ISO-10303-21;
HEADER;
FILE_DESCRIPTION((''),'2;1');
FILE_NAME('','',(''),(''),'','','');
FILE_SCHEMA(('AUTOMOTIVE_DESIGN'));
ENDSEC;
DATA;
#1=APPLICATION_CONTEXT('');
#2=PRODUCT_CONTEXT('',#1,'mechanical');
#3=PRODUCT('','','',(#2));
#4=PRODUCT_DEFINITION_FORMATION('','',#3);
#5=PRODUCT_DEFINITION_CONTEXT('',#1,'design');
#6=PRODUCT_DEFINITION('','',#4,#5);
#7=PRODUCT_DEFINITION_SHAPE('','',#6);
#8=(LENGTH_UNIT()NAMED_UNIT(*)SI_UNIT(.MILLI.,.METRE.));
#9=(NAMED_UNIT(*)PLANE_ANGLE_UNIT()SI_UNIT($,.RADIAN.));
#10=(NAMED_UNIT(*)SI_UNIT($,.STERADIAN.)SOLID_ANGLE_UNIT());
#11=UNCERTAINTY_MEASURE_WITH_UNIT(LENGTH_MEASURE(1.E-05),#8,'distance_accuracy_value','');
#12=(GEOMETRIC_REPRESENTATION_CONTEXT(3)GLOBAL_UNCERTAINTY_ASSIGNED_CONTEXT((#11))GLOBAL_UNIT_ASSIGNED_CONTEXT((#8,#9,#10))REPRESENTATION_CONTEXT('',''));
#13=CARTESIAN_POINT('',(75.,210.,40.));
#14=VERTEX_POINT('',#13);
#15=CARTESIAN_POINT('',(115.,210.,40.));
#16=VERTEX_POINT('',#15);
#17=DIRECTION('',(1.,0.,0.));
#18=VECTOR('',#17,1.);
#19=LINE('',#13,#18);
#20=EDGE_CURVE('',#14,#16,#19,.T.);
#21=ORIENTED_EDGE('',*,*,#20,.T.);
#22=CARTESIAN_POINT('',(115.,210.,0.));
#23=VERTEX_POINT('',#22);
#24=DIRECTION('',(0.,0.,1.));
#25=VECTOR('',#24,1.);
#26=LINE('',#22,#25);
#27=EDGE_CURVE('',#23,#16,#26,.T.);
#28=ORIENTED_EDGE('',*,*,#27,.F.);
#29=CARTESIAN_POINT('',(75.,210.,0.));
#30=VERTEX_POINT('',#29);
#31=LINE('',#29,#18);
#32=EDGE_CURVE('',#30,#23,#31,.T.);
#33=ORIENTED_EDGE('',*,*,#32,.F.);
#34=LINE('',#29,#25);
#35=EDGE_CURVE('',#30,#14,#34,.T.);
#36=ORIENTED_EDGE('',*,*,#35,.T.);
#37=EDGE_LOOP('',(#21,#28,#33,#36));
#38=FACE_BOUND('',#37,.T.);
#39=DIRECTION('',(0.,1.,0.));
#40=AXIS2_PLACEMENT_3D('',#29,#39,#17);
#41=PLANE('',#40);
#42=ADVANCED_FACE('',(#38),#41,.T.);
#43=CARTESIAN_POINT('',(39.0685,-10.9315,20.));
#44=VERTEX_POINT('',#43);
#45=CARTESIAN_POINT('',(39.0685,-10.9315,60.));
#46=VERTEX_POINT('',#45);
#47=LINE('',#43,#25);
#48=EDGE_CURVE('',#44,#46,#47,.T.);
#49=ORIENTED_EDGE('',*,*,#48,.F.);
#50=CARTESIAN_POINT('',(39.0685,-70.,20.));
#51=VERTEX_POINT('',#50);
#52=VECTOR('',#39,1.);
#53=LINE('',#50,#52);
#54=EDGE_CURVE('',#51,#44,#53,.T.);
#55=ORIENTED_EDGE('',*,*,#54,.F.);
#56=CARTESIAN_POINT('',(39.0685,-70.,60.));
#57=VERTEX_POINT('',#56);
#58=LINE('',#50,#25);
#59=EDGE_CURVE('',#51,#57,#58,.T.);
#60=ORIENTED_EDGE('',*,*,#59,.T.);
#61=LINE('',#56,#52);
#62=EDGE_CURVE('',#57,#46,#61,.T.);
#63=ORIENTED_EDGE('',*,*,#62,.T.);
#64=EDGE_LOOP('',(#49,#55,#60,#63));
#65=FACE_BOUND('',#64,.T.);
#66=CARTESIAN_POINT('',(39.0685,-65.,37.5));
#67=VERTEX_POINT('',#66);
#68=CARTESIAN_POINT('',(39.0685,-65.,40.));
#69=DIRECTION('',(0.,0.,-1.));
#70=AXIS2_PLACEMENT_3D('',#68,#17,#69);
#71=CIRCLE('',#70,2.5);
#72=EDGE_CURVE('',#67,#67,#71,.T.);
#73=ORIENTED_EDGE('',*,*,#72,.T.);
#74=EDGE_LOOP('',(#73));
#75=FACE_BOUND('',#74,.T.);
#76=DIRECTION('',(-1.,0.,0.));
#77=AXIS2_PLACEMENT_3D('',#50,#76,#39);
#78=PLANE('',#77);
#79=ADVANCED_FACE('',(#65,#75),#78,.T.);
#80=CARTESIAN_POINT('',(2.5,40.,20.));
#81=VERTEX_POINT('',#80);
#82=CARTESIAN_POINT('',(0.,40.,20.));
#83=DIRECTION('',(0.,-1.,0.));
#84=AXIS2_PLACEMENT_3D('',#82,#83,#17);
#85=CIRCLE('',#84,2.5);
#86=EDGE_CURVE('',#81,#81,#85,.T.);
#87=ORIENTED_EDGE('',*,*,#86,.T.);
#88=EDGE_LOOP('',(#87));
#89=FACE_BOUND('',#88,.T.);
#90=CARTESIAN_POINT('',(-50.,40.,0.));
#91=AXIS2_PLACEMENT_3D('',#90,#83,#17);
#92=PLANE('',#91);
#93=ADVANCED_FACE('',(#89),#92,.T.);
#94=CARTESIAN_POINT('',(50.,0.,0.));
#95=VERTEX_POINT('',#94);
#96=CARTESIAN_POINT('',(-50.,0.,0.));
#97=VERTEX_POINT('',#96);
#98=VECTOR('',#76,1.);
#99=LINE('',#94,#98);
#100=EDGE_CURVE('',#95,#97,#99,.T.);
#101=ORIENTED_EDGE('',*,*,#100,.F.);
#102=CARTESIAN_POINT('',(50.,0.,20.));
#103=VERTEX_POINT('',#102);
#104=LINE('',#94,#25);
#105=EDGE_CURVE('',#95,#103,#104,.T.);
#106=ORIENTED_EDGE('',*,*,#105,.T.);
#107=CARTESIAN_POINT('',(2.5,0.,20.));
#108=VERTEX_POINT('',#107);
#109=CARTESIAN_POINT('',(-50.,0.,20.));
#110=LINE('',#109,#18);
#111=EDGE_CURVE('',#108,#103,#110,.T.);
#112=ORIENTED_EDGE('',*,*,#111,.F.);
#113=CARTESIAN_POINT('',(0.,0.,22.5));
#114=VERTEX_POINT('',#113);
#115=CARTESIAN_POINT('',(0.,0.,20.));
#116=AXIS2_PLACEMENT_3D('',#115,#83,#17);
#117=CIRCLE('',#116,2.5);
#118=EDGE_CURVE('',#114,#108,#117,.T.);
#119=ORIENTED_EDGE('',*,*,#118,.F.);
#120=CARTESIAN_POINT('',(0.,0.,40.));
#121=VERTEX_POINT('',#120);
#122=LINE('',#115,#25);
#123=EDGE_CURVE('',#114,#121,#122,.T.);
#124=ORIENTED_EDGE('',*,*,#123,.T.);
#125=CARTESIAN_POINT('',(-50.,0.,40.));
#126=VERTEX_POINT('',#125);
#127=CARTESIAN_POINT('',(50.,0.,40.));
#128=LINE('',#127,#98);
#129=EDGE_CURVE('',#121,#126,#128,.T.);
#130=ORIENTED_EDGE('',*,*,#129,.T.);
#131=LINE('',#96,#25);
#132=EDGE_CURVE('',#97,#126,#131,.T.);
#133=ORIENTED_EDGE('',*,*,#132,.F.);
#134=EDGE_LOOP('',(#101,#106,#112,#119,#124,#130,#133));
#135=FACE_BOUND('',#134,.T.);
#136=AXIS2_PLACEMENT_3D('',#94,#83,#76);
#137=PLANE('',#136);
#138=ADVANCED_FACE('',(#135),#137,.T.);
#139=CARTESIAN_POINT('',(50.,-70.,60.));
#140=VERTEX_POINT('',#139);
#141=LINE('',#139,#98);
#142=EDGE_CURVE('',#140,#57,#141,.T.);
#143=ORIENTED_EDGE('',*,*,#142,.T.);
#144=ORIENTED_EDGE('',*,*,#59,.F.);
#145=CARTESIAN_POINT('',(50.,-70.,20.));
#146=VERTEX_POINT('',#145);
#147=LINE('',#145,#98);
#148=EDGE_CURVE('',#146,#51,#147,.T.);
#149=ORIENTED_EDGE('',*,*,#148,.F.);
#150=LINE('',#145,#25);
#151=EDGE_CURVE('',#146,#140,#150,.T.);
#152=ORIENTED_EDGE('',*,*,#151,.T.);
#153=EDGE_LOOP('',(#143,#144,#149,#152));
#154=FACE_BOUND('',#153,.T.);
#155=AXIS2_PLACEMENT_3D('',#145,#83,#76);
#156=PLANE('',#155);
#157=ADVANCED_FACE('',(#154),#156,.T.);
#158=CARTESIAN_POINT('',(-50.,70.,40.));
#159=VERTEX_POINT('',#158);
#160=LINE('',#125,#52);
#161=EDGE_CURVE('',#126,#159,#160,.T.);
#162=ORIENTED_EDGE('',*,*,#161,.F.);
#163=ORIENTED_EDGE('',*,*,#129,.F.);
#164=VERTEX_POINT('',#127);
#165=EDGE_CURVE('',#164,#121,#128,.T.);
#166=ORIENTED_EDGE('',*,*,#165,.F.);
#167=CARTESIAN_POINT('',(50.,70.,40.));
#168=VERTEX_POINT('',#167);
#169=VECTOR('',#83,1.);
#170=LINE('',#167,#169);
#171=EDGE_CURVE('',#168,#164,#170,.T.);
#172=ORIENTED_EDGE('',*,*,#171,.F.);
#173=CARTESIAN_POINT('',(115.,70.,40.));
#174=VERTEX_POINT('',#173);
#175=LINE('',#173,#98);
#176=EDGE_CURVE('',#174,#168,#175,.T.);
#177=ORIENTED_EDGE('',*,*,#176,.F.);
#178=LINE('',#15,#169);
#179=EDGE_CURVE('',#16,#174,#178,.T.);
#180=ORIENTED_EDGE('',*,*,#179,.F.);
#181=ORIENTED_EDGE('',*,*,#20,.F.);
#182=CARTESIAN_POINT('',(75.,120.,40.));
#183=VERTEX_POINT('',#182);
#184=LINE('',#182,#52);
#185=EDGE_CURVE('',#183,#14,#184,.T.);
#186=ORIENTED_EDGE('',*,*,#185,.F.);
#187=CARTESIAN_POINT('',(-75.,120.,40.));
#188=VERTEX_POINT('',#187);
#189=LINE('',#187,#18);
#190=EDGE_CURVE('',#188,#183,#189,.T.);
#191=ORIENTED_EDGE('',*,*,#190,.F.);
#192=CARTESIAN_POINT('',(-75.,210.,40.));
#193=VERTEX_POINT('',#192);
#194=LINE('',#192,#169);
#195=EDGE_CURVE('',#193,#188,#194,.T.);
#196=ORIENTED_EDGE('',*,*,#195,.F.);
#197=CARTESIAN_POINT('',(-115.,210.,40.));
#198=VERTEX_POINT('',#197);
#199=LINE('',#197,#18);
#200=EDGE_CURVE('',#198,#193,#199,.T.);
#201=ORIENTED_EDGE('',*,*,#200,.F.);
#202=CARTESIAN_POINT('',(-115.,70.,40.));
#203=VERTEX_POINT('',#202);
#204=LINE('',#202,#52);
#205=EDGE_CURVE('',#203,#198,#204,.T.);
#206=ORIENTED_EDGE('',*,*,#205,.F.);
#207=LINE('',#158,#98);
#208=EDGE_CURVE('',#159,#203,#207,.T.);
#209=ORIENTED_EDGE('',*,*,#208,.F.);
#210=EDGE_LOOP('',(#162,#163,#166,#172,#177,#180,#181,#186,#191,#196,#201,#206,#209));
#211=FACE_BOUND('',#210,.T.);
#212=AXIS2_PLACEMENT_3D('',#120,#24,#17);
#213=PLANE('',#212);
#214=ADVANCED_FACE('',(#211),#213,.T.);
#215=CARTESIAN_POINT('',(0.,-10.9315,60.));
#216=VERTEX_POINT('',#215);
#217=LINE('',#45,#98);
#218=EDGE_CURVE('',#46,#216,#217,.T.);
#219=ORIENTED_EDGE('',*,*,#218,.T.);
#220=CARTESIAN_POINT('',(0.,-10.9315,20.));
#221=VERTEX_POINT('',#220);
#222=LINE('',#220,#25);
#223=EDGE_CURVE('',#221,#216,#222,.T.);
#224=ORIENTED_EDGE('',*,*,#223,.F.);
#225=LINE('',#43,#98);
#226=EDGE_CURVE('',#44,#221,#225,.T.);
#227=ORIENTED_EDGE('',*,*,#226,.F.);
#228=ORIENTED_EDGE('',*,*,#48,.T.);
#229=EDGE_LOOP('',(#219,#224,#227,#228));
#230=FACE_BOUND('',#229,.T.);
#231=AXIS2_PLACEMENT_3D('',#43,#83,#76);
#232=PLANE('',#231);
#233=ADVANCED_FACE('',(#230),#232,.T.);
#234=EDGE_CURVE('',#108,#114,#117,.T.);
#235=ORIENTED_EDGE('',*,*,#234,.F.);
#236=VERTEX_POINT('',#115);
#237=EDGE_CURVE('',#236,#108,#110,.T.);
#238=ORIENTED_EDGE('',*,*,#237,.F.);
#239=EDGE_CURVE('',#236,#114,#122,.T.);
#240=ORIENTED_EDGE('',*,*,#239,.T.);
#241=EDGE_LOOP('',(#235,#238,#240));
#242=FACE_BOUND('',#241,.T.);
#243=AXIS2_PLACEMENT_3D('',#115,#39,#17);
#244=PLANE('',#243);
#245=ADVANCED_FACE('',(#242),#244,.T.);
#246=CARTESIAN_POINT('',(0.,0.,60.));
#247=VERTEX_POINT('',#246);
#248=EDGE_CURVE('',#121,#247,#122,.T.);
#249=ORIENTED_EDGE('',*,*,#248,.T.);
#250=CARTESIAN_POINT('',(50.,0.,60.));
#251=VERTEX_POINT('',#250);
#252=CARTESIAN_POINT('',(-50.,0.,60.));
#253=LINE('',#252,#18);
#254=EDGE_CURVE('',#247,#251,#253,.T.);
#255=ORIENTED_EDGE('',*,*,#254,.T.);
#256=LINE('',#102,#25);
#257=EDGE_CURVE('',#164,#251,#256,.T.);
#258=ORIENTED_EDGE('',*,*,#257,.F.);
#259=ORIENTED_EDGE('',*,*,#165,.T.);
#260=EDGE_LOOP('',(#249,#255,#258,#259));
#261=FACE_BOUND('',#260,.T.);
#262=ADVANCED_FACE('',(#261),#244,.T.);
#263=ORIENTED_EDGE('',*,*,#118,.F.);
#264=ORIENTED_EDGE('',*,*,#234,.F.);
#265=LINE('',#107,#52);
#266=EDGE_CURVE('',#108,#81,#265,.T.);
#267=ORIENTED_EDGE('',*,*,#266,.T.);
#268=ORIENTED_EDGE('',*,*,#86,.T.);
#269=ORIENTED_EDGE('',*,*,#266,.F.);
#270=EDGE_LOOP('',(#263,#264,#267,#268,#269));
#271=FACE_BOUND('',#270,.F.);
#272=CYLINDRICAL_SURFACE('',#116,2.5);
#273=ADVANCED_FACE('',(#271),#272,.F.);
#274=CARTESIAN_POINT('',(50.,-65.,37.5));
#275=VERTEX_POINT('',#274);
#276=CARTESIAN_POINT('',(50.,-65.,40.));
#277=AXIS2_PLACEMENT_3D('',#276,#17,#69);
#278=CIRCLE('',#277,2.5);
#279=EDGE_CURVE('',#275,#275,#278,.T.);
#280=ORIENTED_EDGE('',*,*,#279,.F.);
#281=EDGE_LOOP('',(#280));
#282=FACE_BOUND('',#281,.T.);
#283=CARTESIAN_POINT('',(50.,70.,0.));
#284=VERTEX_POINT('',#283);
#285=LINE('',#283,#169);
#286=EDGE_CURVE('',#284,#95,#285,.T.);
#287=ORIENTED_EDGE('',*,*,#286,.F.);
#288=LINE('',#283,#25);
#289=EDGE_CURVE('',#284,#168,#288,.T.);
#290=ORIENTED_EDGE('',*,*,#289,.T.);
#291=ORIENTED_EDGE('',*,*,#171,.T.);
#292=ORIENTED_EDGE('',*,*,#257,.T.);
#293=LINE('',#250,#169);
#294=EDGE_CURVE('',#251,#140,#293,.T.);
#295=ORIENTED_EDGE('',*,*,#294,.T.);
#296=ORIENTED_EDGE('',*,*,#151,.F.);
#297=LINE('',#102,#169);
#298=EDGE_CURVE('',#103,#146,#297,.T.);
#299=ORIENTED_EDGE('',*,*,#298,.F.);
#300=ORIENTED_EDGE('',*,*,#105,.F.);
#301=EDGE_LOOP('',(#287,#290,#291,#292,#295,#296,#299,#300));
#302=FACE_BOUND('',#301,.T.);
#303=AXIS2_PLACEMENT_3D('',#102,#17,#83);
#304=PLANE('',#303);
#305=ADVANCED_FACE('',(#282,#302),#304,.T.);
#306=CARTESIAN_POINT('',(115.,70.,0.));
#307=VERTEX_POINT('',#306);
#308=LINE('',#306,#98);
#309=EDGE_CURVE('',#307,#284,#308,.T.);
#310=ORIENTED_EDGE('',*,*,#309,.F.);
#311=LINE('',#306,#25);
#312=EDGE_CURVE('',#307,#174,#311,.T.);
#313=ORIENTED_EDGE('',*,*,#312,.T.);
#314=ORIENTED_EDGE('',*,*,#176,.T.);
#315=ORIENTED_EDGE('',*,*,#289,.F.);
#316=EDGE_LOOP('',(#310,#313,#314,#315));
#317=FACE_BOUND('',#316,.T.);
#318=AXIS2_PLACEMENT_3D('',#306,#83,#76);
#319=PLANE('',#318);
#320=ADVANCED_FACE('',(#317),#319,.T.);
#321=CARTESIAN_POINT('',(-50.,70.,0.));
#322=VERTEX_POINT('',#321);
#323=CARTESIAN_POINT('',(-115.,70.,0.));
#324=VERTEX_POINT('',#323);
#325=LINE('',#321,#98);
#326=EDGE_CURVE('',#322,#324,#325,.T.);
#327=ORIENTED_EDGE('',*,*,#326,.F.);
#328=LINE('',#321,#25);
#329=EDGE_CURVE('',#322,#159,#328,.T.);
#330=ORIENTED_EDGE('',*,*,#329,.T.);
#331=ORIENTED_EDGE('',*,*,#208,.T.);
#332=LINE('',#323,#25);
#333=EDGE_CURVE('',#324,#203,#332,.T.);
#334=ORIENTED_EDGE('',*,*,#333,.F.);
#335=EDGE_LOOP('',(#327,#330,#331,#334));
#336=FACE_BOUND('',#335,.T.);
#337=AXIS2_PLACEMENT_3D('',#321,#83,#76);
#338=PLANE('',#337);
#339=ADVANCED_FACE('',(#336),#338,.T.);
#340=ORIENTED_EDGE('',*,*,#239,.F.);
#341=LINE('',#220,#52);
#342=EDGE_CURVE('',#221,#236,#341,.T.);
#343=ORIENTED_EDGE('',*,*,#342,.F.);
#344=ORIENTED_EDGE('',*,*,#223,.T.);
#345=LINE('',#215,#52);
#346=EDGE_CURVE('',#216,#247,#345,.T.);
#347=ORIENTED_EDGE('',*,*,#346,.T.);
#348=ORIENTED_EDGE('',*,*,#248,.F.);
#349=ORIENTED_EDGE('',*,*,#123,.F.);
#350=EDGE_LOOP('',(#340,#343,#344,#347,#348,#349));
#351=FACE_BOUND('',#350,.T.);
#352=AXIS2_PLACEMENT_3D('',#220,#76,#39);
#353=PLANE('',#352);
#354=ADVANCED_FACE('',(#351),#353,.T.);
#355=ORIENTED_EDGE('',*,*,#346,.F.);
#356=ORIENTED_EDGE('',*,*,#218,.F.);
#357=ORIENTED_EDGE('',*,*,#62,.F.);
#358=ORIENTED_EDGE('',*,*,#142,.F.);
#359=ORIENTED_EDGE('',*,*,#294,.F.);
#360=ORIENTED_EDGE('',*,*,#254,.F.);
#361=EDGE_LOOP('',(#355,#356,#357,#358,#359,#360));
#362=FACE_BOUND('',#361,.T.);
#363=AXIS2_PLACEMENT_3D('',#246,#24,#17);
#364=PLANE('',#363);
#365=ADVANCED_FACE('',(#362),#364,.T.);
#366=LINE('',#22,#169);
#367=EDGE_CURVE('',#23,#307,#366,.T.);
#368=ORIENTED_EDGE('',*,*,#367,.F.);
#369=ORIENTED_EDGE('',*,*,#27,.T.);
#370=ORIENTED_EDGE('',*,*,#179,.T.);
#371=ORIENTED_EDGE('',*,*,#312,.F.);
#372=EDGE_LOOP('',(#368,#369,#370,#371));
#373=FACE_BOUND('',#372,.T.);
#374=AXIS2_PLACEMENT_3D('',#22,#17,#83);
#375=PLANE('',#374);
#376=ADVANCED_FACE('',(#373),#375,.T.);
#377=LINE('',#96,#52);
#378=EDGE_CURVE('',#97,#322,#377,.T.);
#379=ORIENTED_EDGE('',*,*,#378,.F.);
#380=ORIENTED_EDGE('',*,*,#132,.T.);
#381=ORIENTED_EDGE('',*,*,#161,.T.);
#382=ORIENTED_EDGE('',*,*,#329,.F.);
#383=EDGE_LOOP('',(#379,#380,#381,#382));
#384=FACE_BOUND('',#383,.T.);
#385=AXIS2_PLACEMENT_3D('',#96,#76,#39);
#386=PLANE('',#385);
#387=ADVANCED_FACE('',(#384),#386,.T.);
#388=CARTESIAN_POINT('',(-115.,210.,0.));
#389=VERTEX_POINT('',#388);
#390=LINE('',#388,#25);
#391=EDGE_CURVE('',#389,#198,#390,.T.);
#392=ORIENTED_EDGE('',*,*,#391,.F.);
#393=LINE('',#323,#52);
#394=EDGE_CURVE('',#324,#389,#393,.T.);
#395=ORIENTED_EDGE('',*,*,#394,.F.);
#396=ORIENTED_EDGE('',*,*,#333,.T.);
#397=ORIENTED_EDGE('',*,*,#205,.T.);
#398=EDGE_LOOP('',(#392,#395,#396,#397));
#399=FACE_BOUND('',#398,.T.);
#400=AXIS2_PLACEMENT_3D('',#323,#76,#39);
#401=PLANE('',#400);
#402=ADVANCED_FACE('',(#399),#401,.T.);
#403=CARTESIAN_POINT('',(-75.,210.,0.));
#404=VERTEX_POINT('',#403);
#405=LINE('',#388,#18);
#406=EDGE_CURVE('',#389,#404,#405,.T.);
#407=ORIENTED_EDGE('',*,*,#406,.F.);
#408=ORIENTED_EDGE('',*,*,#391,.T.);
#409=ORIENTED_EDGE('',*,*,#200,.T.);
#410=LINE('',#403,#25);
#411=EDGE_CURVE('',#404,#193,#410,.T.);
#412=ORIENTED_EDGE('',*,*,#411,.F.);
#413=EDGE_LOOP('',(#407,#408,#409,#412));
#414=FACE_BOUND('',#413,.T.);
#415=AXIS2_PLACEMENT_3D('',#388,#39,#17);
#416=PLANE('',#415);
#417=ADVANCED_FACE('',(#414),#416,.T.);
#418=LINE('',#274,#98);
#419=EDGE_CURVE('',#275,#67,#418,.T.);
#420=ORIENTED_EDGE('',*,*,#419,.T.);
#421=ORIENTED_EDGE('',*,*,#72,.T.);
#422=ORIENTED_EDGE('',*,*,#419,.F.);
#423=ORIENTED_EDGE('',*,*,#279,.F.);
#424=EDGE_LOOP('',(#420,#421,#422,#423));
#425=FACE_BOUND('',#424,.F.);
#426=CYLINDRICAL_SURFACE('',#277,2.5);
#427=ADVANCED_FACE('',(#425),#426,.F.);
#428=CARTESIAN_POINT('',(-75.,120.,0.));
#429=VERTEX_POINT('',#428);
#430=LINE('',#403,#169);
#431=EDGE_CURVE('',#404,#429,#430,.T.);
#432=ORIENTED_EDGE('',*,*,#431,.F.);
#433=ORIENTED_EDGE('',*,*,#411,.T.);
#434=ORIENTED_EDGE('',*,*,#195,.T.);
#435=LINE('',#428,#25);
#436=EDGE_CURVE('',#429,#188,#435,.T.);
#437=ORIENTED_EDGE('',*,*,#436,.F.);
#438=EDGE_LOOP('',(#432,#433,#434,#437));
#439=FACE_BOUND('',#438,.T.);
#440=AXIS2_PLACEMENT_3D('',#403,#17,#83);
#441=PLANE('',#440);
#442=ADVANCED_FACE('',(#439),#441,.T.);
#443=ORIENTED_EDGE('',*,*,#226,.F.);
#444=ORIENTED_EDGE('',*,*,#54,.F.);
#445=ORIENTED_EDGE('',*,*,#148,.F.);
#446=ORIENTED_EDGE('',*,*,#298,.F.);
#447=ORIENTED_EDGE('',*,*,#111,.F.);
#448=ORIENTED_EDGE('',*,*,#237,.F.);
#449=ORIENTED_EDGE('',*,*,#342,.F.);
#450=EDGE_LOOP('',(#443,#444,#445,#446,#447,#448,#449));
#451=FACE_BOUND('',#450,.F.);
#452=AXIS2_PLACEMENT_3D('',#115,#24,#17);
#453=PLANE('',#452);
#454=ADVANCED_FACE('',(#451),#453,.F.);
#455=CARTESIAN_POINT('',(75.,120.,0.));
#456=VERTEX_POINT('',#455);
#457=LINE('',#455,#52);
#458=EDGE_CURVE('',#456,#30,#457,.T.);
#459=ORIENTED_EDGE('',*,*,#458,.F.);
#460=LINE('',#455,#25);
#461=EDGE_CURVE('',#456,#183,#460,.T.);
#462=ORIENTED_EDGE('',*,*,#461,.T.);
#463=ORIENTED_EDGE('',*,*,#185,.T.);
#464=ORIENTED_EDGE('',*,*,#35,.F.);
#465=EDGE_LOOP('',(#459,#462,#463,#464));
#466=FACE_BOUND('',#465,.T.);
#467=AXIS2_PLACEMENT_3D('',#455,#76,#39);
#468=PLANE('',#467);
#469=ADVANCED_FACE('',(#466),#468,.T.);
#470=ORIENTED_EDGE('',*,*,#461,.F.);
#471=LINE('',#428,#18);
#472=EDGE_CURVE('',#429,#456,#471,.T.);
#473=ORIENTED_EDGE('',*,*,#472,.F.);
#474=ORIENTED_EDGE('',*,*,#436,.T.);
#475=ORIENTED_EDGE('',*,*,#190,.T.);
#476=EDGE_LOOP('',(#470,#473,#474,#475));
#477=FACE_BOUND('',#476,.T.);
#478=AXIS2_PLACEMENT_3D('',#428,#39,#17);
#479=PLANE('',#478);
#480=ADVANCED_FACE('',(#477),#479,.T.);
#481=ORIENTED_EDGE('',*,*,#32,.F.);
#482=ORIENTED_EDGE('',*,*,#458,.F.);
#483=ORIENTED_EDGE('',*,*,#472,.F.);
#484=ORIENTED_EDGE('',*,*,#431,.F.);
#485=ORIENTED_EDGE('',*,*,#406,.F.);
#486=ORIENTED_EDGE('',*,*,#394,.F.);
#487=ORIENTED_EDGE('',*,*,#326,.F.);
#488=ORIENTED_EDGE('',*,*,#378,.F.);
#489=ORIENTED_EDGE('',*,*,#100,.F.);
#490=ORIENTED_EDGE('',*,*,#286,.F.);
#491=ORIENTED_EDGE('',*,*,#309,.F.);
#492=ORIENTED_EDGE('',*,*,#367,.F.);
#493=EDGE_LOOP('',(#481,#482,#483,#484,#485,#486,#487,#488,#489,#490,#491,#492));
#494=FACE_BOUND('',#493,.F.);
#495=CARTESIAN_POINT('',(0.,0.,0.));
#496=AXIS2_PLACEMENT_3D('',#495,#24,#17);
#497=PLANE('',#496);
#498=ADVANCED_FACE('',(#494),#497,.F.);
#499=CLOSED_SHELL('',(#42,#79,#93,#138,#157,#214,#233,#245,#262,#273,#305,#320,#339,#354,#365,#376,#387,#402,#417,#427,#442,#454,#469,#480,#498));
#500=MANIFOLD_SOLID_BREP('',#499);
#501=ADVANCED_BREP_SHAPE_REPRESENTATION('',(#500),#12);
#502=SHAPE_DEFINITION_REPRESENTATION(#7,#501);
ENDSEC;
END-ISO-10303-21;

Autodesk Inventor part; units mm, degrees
ref_plane "YZ Plane" through (0, 0, 0) normal (1, 0, 0) x (0, 1, 0)
ref_plane "XZ Plane" through (0, 0, 0) normal (0, 1, 0) x (-1, 0, 0)
sketch "Sketch1" plane through (0, 0, 0) normal (0, 0, 1) x (1, 0, 0)
  line L0 (-50, 0) -> (-50, 70)
  line L1 (-50, 70) -> (-115, 70)
  line L2 (-115, 70) -> (-115, 210)
  line L3 (-115, 210) -> (-75, 210)
  line L4 (-75, 210) -> (-75, 120)
  line L5 (-75, 120) -> (75, 120)
  line L6 (75, 120) -> (75, 210)
  line L7 (75, 210) -> (115, 210)
  line L8 (115, 210) -> (115, 70)
  line L9 (115, 70) -> (50, 70)
  line L10 (50, 70) -> (50, 0)
  line L11 (50, 0) -> (-50, 0)
  point P0 (0, 0)
  point P1 (0, 120)
  point P2 (0, 0)
  dimension "d0" = 100
  dimension "d1" = 150
  dimension "d2" = 40
  dimension "d3" = 140
  dimension "d4" = 90
  dimension "d5" = 70
extrude "Extrusion1" add sketch "Sketch1" along normal blind 40
sketch "Sketch2" plane through (-50, 0, 0) normal (0, -1, 0) x (1, 0, 0)
  line L0 (0, 0) -> (0, 40) projected
  line L1 (100, 0) -> (100, 40) projected
  line L2 (0, 40) -> (100, 40) projected
  circle A0 centre (50, 20) radius 2.5
  point P0 (50, 0)
  dimension "d8" = 5
extrude "Extrusion2" cut sketch "Sketch2" against normal blind 40
ref_plane "Work Plane1" through (0, 0, 20) normal (0, 0, 1) x (1, 0, 0)
sketch "Sketch3" plane through (0, 0, 20) normal (0, 0, 1) x (1, 0, 0)
  line L0 (-50, 0) -> (50, 0) projected
  line L1 (0, 0) -> (50, 0)
  line L2 (50, 0) -> (50, -70)
  line L3 (50, -70) -> (39.0685, -70)
  line L4 (39.0685, -70) -> (39.0685, -10.9315)
  line L5 (39.0685, -10.9315) -> (0, -10.9315)
  line L6 (0, -10.9315) -> (0, 0)
  dimension "d12" = 70
  dimension "d13" = 39.0685
extrude "Extrusion3" add sketch "Sketch3" along normal blind 40
sketch "Sketch4" plane through (50, 0, 0) normal (1, 0, 0) x (0, 0, -1)
  circle A0 centre (-40, -65) radius 2.5
  line L0 (-20, -70) -> (-60, -70) projected
  point P0 (0, 0)
  point P1 (-40, -70)
  point P2 (-40, -70)
  dimension "d16" = 5
  dimension "d17" = 5
extrude "Extrusion4" cut sketch "Sketch4" against normal blind 40
properties part number "Robot_arm_gripper"
